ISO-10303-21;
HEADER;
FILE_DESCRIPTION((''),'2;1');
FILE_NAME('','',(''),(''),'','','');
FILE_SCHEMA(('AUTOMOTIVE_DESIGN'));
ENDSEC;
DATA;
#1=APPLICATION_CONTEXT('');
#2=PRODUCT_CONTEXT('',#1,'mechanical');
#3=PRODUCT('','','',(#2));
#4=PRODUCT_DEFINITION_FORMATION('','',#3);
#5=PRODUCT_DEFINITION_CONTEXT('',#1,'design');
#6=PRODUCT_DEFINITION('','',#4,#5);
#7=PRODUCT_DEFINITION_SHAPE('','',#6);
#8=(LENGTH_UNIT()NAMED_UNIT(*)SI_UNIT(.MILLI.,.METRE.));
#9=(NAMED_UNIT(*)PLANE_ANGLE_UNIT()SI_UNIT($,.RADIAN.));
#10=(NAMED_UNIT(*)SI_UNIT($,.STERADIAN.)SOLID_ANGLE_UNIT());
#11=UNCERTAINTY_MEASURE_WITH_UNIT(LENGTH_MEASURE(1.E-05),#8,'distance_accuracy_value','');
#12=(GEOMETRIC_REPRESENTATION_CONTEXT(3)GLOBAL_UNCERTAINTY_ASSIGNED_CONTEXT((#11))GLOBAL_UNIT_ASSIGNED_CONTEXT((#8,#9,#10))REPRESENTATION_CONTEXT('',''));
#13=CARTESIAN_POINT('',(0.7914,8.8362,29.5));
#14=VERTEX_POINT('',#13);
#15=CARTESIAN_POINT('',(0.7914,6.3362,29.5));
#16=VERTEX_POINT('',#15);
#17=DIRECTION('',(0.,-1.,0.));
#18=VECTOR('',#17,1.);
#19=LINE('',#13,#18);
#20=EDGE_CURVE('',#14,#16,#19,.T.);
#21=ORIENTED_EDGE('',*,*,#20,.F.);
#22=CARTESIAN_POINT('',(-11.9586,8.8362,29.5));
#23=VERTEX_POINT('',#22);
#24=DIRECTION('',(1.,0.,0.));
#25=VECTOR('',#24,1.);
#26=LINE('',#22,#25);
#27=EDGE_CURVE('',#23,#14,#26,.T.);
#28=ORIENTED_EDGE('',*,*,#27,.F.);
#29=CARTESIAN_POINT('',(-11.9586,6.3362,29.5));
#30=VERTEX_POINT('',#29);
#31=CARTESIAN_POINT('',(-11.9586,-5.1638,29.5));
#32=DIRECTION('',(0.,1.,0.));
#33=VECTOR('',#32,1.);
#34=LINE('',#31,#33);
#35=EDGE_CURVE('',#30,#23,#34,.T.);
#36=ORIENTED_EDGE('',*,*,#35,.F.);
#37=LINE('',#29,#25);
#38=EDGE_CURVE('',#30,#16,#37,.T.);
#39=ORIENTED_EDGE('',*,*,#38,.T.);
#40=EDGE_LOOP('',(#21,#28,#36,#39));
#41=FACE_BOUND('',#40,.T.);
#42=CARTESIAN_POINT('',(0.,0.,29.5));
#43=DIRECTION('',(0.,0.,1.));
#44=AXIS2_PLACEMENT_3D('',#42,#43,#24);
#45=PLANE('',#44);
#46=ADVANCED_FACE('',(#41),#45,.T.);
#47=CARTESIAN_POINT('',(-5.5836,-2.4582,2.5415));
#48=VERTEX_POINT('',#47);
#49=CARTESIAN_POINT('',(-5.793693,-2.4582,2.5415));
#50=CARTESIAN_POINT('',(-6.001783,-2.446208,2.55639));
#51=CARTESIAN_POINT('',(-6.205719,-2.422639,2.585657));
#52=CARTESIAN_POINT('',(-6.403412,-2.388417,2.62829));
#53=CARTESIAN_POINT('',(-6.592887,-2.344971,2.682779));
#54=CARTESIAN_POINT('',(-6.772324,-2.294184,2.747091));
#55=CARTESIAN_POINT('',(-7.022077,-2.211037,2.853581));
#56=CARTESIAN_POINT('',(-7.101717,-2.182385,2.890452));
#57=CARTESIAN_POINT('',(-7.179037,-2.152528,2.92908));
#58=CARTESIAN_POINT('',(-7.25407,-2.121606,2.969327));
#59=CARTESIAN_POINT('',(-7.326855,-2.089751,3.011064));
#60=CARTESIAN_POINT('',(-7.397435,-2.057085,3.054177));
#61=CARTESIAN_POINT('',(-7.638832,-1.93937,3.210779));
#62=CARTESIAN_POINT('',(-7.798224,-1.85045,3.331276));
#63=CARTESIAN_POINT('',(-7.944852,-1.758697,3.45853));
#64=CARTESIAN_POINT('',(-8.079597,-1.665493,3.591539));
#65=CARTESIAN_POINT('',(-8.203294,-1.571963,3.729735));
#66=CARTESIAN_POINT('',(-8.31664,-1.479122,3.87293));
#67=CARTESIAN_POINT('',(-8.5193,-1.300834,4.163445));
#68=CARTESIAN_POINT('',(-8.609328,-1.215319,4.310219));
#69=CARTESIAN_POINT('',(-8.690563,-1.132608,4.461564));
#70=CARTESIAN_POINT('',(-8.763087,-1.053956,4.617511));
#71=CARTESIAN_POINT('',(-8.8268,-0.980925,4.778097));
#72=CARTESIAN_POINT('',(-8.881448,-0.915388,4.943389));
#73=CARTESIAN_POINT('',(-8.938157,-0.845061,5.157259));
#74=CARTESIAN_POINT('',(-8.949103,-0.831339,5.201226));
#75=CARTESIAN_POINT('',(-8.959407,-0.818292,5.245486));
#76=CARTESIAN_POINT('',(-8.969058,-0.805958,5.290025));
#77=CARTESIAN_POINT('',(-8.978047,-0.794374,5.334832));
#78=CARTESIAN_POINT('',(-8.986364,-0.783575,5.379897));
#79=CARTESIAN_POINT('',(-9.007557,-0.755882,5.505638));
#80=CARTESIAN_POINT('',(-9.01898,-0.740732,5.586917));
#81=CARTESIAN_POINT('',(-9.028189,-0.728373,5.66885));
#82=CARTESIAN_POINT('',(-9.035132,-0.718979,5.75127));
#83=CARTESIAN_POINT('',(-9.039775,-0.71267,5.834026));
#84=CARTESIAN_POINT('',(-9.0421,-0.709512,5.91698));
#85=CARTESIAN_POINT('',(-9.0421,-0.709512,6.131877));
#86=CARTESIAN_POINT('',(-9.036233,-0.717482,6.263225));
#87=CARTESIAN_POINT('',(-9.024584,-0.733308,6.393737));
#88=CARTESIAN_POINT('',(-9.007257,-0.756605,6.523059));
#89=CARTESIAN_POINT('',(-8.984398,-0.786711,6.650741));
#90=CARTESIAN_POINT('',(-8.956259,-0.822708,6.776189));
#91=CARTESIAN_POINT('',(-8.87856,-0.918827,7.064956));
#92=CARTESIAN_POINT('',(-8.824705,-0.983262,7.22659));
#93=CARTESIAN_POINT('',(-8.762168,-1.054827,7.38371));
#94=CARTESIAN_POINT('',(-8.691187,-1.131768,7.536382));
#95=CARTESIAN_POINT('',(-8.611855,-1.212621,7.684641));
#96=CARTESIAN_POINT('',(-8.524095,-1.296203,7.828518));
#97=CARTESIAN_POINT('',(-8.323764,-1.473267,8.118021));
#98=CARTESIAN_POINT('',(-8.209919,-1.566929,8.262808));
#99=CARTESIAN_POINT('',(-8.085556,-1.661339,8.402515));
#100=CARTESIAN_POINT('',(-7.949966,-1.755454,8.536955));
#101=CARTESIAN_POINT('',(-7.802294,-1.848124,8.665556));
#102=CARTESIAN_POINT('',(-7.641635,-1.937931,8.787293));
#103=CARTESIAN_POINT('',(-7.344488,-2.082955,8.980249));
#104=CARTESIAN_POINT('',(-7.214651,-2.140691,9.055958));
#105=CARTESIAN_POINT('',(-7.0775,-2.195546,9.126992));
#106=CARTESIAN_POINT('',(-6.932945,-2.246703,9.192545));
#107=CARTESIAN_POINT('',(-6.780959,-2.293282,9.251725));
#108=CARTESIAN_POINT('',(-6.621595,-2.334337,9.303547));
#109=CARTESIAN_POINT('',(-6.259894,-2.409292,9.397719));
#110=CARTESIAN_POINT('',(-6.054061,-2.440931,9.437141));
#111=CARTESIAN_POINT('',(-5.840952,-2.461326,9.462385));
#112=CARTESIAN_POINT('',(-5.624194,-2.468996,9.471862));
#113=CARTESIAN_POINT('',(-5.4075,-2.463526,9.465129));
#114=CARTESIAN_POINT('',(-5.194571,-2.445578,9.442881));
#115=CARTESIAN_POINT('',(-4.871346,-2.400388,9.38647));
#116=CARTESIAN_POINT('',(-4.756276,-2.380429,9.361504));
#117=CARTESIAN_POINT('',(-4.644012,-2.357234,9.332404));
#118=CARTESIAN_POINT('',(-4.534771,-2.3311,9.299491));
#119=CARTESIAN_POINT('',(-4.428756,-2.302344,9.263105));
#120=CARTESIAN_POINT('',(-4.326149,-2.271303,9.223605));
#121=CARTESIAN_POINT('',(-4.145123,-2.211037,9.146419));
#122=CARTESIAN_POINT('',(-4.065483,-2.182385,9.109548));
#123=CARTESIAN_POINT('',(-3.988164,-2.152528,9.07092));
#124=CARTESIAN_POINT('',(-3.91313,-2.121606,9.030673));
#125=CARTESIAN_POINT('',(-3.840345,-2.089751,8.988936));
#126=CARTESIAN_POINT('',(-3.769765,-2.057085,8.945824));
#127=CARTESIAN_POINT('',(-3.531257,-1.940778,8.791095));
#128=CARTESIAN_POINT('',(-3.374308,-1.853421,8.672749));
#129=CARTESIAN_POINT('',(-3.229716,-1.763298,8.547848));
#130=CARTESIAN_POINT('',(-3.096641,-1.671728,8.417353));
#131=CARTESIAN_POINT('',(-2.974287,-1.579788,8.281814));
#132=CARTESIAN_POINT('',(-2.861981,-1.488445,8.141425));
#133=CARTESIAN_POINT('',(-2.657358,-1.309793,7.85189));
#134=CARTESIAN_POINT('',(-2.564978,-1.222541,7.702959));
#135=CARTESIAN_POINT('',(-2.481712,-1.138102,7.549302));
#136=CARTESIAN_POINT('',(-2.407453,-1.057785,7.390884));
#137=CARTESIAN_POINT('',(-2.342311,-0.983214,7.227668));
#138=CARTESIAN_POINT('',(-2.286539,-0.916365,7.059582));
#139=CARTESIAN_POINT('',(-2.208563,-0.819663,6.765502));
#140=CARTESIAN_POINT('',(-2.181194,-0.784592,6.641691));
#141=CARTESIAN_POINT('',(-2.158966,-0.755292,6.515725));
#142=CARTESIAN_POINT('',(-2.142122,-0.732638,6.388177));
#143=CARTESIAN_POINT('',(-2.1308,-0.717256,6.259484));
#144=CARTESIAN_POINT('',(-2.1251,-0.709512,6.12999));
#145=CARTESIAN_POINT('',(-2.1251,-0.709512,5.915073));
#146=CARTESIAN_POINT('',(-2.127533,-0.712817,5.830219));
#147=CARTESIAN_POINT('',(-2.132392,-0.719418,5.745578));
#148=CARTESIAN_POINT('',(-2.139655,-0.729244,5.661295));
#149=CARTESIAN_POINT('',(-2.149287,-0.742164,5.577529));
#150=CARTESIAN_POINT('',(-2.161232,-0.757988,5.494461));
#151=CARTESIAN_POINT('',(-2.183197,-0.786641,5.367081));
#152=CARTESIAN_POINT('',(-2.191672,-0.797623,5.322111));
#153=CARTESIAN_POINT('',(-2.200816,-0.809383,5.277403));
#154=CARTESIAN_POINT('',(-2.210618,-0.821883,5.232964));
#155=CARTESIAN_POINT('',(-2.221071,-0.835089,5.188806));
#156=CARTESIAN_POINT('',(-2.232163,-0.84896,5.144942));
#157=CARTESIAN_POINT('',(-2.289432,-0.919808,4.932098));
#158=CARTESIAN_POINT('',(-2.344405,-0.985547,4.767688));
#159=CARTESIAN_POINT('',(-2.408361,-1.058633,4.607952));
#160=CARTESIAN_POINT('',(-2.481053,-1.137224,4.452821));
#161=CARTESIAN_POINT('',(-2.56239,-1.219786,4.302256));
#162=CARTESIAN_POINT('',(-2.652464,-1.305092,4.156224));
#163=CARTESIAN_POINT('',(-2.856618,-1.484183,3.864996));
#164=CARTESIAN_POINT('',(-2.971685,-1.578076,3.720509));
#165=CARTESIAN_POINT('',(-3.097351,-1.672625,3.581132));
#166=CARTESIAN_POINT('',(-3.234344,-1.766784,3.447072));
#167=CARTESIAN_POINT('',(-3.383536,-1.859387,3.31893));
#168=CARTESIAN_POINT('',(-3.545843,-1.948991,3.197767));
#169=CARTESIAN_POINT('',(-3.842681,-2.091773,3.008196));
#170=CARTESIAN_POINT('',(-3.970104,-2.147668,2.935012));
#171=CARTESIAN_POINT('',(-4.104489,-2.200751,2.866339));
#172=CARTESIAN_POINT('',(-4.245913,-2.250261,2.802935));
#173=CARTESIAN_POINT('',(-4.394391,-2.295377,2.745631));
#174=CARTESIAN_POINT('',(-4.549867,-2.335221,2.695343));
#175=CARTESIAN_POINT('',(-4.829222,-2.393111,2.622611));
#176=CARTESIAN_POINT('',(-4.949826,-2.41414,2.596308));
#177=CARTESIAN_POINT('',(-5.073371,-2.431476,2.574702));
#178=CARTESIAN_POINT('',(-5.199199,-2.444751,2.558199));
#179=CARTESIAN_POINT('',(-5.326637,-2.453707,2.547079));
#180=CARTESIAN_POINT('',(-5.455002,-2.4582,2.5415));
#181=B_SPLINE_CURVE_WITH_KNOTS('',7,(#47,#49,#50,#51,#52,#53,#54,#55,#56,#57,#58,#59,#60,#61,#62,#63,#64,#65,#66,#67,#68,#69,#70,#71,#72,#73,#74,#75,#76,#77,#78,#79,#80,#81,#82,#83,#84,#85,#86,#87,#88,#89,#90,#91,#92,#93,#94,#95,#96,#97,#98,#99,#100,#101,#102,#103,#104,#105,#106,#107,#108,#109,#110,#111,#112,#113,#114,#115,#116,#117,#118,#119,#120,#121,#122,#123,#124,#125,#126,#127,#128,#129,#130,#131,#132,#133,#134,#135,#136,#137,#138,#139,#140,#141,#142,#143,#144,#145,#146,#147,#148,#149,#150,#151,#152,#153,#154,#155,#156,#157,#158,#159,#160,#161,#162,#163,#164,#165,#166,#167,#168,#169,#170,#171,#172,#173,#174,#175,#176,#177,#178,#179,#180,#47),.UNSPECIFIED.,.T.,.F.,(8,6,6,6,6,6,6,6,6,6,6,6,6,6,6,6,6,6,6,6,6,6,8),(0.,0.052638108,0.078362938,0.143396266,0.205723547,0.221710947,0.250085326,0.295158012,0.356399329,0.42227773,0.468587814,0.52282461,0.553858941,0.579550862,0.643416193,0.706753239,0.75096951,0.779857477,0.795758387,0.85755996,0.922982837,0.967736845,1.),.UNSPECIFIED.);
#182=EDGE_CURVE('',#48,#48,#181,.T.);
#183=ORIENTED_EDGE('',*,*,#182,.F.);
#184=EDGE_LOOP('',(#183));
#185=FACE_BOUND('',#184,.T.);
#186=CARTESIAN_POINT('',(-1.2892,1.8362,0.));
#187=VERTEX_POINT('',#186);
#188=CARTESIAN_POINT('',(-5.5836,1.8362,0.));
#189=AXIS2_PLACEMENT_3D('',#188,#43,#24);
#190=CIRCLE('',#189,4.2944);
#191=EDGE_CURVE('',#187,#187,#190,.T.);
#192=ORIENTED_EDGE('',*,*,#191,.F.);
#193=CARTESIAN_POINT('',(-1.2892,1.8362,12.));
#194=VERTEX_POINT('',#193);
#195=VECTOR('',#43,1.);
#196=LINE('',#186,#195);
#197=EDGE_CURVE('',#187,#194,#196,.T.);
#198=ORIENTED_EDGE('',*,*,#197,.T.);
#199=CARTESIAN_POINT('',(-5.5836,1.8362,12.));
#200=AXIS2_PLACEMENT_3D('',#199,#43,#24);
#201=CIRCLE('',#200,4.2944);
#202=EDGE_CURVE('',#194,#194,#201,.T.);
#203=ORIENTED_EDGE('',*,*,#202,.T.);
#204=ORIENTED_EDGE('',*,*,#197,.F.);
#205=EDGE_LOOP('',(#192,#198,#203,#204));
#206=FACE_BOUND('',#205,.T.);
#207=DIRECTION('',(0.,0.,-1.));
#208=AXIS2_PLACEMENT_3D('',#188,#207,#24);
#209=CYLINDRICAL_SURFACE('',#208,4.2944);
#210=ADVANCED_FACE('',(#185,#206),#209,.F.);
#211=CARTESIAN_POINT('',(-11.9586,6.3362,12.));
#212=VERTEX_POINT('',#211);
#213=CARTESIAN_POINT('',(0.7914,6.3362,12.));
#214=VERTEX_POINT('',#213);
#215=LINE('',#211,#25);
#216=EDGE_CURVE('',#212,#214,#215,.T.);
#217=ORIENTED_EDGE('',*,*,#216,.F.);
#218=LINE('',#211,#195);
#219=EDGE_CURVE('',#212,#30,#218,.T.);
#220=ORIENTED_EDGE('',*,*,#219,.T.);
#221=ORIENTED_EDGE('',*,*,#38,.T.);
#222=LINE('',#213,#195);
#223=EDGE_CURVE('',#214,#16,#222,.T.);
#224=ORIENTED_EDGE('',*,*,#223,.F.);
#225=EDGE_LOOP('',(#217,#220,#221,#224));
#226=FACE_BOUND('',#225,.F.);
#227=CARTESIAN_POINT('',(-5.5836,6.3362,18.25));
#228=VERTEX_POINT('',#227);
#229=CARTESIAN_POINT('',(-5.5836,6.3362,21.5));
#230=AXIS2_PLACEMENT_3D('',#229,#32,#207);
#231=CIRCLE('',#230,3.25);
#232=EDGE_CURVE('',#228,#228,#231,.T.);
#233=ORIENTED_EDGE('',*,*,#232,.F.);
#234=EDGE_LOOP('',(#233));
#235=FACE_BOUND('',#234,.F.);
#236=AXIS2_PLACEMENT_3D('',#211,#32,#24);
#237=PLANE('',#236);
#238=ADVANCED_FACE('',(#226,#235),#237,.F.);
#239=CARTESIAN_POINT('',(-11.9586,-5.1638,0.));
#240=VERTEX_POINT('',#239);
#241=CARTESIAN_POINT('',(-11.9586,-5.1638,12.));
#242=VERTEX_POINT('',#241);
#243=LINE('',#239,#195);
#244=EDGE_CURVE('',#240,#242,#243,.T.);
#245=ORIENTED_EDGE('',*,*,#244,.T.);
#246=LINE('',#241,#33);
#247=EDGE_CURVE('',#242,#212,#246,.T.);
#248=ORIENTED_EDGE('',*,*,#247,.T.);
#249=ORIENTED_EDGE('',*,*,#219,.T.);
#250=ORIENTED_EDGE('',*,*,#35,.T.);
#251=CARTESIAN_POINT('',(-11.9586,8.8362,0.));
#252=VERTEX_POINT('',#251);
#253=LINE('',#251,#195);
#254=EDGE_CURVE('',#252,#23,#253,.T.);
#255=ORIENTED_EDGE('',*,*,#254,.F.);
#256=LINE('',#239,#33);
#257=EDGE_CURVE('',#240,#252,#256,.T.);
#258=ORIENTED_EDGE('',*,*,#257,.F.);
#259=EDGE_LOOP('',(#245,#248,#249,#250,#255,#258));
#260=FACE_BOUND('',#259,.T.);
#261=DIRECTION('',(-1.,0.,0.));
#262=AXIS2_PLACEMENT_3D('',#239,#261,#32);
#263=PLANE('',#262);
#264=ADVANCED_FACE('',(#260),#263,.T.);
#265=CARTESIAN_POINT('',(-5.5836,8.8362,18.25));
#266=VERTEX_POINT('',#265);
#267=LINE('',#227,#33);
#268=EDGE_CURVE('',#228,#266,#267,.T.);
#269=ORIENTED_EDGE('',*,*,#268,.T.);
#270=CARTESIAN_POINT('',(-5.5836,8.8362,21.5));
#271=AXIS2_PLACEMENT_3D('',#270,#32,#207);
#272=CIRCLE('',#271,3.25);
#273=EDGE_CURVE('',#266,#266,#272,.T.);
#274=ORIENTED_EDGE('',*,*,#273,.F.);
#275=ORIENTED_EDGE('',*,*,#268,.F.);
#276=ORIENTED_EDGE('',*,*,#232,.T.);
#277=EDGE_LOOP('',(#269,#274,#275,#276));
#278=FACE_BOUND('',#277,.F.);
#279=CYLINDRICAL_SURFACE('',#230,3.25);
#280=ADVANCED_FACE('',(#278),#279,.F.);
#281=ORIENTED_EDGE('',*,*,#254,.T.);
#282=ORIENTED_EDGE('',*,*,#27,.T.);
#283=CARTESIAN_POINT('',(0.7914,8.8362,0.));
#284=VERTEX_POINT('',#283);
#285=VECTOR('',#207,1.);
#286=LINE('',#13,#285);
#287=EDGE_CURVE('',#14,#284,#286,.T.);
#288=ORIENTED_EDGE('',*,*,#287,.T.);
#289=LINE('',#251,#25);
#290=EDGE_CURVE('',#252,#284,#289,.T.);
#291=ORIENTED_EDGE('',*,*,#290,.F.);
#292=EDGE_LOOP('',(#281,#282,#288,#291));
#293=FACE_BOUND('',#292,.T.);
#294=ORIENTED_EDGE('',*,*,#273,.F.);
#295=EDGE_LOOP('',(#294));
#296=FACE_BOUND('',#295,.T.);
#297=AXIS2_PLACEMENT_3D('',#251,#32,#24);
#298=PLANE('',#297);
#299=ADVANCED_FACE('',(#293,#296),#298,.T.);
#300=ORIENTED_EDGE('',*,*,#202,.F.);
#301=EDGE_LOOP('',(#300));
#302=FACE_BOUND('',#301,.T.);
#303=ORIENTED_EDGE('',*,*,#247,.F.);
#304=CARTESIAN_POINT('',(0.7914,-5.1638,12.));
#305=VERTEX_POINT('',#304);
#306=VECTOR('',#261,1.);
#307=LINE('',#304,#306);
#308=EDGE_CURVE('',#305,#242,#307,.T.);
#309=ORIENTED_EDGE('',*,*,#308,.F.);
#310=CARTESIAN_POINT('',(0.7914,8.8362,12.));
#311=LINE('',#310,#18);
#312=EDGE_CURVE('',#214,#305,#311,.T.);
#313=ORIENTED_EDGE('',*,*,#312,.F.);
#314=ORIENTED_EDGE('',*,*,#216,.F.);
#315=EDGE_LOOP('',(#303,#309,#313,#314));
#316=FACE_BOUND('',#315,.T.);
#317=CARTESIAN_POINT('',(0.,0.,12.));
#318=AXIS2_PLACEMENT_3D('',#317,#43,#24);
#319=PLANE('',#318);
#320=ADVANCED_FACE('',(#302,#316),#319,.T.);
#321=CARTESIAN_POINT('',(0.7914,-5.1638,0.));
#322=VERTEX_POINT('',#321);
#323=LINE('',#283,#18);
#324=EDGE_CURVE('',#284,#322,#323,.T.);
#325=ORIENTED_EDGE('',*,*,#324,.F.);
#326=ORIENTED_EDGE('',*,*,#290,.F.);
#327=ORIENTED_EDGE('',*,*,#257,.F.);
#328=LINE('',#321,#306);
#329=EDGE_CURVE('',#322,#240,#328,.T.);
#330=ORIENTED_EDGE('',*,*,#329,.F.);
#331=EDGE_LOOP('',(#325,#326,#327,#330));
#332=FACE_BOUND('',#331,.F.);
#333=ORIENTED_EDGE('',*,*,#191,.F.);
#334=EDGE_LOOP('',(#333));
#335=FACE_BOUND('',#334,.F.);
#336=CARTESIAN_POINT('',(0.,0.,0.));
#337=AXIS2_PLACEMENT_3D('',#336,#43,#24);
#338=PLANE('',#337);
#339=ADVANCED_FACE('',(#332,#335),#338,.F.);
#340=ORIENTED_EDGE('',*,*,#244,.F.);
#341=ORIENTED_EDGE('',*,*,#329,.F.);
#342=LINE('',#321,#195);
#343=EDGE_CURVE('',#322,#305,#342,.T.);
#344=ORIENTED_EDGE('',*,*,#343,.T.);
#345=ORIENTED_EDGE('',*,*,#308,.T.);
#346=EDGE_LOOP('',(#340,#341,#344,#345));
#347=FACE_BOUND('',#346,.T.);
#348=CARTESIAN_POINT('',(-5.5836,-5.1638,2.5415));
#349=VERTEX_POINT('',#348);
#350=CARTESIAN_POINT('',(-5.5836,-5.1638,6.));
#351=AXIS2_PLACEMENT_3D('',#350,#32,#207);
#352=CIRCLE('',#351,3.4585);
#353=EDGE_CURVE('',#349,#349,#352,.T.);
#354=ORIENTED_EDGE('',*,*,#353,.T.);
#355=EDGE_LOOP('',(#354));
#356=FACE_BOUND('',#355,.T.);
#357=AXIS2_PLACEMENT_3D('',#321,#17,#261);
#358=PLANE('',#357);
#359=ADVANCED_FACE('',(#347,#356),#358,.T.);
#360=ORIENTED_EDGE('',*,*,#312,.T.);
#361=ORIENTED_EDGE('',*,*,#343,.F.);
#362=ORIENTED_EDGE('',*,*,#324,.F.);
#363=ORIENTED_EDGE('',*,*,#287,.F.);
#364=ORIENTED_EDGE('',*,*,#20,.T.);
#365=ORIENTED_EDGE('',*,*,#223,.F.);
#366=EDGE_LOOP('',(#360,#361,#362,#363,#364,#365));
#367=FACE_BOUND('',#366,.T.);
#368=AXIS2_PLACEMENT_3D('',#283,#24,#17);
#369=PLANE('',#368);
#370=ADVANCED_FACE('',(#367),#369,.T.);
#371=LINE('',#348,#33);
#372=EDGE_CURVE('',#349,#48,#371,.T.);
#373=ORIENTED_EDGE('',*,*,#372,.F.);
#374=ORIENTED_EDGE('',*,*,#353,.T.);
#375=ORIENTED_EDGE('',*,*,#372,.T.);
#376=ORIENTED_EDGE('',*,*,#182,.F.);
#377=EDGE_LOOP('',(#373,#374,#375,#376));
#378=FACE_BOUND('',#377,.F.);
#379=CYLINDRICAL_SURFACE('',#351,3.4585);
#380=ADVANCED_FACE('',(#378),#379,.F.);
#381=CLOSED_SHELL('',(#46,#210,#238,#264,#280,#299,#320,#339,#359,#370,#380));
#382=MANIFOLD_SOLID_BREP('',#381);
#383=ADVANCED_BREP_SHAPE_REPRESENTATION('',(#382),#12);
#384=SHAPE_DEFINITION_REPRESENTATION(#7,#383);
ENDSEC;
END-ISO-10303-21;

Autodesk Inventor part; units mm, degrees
ref_plane "YZ Plane" through (0, 0, 0) normal (1, 0, 0) x (0, 1, 0)
ref_plane "XZ Plane" through (0, 0, 0) normal (0, 1, 0) x (-1, 0, 0)
ref_plane "XY Plane" through (0, 0, 0) normal (0, 0, 1) x (1, 0, 0)
sketch "Sketch1" plane through (0, 0, 0) normal (0, 0, 1) x (1, 0, 0)
  line L0 (-11.9586, 8.8362) -> (0.7914, 8.8362)
  line L1 (0.7914, 8.8362) -> (0.7914, -5.1638)
  line L2 (0.7914, -5.1638) -> (-11.9586, -5.1638)
  line L3 (-11.9586, -5.1638) -> (-11.9586, 8.8362)
  circle A0 centre (-5.5836, 1.8362) radius 4.2944
  dimension "d0" = 12.75
  dimension "d1" = 14
  dimension "d2" = 6.375
  dimension "d3" = 7
extrude "Extrusion1" add sketch "Sketch1" along normal blind 12
sketch "Sketch2" plane through (0, 0, 12) normal (0, 0, 1) x (1, 0, 0)
  line L0 (0.7914, 8.8362) -> (0.7914, -5.1638) projected
  line L1 (-11.9586, 8.8362) -> (0.7914, 8.8362) projected
  line L2 (-11.9586, -5.1638) -> (-11.9586, 8.8362) projected
  line L3 (-11.9586, 6.3362) -> (0.7914, 6.3362)
  dimension "d7" = 2.5
extrude "Extrusion2" add sketch "Sketch2" along normal blind 17.5
sketch "Sketch3" plane through (-11.9586, 6.3362, 12) normal (0, -1, 0) x (1, 0, 0)
  line L0 (12.75, 17.5) -> (0, 17.5) projected
  line L1 (0, 0) -> (0, 17.5) projected
  point P0 (6.375, 9.5)
  dimension "d10" = 8
  dimension "d11" = 6.375
hole "Hole1" at (-5.5836, 6.3362, 21.5) direction (0, 1, 0) diameter 6.5 end through all
sketch "Sketch4" plane through (-11.9586, -5.1638, 0) normal (0, -1, 0) x (1, 0, 0)
  line L0 (12.75, 12) -> (0, 12) projected
  line L1 (0, 0) -> (0, 12) projected
  point P0 (6.375, 6)
  dimension "d19" = 6.375
  dimension "d20" = 6
hole "Hole2" at (-5.5836, -5.1638, 6) direction (0, 1, 0) diameter 6.917 depth 7 tip angle 118 thread size "M8x1" class "6H" standard "ANSI Metric M Profile"
equation "\"d2\" = 0.5 * d0"
equation "\"d3\" = 0.5 * d1"
equation "\"d11\" = 0.5 * d0"
equation "\"d19\" = 0.5 * d0"
properties part number "Terminal Battery" material "Copper"
